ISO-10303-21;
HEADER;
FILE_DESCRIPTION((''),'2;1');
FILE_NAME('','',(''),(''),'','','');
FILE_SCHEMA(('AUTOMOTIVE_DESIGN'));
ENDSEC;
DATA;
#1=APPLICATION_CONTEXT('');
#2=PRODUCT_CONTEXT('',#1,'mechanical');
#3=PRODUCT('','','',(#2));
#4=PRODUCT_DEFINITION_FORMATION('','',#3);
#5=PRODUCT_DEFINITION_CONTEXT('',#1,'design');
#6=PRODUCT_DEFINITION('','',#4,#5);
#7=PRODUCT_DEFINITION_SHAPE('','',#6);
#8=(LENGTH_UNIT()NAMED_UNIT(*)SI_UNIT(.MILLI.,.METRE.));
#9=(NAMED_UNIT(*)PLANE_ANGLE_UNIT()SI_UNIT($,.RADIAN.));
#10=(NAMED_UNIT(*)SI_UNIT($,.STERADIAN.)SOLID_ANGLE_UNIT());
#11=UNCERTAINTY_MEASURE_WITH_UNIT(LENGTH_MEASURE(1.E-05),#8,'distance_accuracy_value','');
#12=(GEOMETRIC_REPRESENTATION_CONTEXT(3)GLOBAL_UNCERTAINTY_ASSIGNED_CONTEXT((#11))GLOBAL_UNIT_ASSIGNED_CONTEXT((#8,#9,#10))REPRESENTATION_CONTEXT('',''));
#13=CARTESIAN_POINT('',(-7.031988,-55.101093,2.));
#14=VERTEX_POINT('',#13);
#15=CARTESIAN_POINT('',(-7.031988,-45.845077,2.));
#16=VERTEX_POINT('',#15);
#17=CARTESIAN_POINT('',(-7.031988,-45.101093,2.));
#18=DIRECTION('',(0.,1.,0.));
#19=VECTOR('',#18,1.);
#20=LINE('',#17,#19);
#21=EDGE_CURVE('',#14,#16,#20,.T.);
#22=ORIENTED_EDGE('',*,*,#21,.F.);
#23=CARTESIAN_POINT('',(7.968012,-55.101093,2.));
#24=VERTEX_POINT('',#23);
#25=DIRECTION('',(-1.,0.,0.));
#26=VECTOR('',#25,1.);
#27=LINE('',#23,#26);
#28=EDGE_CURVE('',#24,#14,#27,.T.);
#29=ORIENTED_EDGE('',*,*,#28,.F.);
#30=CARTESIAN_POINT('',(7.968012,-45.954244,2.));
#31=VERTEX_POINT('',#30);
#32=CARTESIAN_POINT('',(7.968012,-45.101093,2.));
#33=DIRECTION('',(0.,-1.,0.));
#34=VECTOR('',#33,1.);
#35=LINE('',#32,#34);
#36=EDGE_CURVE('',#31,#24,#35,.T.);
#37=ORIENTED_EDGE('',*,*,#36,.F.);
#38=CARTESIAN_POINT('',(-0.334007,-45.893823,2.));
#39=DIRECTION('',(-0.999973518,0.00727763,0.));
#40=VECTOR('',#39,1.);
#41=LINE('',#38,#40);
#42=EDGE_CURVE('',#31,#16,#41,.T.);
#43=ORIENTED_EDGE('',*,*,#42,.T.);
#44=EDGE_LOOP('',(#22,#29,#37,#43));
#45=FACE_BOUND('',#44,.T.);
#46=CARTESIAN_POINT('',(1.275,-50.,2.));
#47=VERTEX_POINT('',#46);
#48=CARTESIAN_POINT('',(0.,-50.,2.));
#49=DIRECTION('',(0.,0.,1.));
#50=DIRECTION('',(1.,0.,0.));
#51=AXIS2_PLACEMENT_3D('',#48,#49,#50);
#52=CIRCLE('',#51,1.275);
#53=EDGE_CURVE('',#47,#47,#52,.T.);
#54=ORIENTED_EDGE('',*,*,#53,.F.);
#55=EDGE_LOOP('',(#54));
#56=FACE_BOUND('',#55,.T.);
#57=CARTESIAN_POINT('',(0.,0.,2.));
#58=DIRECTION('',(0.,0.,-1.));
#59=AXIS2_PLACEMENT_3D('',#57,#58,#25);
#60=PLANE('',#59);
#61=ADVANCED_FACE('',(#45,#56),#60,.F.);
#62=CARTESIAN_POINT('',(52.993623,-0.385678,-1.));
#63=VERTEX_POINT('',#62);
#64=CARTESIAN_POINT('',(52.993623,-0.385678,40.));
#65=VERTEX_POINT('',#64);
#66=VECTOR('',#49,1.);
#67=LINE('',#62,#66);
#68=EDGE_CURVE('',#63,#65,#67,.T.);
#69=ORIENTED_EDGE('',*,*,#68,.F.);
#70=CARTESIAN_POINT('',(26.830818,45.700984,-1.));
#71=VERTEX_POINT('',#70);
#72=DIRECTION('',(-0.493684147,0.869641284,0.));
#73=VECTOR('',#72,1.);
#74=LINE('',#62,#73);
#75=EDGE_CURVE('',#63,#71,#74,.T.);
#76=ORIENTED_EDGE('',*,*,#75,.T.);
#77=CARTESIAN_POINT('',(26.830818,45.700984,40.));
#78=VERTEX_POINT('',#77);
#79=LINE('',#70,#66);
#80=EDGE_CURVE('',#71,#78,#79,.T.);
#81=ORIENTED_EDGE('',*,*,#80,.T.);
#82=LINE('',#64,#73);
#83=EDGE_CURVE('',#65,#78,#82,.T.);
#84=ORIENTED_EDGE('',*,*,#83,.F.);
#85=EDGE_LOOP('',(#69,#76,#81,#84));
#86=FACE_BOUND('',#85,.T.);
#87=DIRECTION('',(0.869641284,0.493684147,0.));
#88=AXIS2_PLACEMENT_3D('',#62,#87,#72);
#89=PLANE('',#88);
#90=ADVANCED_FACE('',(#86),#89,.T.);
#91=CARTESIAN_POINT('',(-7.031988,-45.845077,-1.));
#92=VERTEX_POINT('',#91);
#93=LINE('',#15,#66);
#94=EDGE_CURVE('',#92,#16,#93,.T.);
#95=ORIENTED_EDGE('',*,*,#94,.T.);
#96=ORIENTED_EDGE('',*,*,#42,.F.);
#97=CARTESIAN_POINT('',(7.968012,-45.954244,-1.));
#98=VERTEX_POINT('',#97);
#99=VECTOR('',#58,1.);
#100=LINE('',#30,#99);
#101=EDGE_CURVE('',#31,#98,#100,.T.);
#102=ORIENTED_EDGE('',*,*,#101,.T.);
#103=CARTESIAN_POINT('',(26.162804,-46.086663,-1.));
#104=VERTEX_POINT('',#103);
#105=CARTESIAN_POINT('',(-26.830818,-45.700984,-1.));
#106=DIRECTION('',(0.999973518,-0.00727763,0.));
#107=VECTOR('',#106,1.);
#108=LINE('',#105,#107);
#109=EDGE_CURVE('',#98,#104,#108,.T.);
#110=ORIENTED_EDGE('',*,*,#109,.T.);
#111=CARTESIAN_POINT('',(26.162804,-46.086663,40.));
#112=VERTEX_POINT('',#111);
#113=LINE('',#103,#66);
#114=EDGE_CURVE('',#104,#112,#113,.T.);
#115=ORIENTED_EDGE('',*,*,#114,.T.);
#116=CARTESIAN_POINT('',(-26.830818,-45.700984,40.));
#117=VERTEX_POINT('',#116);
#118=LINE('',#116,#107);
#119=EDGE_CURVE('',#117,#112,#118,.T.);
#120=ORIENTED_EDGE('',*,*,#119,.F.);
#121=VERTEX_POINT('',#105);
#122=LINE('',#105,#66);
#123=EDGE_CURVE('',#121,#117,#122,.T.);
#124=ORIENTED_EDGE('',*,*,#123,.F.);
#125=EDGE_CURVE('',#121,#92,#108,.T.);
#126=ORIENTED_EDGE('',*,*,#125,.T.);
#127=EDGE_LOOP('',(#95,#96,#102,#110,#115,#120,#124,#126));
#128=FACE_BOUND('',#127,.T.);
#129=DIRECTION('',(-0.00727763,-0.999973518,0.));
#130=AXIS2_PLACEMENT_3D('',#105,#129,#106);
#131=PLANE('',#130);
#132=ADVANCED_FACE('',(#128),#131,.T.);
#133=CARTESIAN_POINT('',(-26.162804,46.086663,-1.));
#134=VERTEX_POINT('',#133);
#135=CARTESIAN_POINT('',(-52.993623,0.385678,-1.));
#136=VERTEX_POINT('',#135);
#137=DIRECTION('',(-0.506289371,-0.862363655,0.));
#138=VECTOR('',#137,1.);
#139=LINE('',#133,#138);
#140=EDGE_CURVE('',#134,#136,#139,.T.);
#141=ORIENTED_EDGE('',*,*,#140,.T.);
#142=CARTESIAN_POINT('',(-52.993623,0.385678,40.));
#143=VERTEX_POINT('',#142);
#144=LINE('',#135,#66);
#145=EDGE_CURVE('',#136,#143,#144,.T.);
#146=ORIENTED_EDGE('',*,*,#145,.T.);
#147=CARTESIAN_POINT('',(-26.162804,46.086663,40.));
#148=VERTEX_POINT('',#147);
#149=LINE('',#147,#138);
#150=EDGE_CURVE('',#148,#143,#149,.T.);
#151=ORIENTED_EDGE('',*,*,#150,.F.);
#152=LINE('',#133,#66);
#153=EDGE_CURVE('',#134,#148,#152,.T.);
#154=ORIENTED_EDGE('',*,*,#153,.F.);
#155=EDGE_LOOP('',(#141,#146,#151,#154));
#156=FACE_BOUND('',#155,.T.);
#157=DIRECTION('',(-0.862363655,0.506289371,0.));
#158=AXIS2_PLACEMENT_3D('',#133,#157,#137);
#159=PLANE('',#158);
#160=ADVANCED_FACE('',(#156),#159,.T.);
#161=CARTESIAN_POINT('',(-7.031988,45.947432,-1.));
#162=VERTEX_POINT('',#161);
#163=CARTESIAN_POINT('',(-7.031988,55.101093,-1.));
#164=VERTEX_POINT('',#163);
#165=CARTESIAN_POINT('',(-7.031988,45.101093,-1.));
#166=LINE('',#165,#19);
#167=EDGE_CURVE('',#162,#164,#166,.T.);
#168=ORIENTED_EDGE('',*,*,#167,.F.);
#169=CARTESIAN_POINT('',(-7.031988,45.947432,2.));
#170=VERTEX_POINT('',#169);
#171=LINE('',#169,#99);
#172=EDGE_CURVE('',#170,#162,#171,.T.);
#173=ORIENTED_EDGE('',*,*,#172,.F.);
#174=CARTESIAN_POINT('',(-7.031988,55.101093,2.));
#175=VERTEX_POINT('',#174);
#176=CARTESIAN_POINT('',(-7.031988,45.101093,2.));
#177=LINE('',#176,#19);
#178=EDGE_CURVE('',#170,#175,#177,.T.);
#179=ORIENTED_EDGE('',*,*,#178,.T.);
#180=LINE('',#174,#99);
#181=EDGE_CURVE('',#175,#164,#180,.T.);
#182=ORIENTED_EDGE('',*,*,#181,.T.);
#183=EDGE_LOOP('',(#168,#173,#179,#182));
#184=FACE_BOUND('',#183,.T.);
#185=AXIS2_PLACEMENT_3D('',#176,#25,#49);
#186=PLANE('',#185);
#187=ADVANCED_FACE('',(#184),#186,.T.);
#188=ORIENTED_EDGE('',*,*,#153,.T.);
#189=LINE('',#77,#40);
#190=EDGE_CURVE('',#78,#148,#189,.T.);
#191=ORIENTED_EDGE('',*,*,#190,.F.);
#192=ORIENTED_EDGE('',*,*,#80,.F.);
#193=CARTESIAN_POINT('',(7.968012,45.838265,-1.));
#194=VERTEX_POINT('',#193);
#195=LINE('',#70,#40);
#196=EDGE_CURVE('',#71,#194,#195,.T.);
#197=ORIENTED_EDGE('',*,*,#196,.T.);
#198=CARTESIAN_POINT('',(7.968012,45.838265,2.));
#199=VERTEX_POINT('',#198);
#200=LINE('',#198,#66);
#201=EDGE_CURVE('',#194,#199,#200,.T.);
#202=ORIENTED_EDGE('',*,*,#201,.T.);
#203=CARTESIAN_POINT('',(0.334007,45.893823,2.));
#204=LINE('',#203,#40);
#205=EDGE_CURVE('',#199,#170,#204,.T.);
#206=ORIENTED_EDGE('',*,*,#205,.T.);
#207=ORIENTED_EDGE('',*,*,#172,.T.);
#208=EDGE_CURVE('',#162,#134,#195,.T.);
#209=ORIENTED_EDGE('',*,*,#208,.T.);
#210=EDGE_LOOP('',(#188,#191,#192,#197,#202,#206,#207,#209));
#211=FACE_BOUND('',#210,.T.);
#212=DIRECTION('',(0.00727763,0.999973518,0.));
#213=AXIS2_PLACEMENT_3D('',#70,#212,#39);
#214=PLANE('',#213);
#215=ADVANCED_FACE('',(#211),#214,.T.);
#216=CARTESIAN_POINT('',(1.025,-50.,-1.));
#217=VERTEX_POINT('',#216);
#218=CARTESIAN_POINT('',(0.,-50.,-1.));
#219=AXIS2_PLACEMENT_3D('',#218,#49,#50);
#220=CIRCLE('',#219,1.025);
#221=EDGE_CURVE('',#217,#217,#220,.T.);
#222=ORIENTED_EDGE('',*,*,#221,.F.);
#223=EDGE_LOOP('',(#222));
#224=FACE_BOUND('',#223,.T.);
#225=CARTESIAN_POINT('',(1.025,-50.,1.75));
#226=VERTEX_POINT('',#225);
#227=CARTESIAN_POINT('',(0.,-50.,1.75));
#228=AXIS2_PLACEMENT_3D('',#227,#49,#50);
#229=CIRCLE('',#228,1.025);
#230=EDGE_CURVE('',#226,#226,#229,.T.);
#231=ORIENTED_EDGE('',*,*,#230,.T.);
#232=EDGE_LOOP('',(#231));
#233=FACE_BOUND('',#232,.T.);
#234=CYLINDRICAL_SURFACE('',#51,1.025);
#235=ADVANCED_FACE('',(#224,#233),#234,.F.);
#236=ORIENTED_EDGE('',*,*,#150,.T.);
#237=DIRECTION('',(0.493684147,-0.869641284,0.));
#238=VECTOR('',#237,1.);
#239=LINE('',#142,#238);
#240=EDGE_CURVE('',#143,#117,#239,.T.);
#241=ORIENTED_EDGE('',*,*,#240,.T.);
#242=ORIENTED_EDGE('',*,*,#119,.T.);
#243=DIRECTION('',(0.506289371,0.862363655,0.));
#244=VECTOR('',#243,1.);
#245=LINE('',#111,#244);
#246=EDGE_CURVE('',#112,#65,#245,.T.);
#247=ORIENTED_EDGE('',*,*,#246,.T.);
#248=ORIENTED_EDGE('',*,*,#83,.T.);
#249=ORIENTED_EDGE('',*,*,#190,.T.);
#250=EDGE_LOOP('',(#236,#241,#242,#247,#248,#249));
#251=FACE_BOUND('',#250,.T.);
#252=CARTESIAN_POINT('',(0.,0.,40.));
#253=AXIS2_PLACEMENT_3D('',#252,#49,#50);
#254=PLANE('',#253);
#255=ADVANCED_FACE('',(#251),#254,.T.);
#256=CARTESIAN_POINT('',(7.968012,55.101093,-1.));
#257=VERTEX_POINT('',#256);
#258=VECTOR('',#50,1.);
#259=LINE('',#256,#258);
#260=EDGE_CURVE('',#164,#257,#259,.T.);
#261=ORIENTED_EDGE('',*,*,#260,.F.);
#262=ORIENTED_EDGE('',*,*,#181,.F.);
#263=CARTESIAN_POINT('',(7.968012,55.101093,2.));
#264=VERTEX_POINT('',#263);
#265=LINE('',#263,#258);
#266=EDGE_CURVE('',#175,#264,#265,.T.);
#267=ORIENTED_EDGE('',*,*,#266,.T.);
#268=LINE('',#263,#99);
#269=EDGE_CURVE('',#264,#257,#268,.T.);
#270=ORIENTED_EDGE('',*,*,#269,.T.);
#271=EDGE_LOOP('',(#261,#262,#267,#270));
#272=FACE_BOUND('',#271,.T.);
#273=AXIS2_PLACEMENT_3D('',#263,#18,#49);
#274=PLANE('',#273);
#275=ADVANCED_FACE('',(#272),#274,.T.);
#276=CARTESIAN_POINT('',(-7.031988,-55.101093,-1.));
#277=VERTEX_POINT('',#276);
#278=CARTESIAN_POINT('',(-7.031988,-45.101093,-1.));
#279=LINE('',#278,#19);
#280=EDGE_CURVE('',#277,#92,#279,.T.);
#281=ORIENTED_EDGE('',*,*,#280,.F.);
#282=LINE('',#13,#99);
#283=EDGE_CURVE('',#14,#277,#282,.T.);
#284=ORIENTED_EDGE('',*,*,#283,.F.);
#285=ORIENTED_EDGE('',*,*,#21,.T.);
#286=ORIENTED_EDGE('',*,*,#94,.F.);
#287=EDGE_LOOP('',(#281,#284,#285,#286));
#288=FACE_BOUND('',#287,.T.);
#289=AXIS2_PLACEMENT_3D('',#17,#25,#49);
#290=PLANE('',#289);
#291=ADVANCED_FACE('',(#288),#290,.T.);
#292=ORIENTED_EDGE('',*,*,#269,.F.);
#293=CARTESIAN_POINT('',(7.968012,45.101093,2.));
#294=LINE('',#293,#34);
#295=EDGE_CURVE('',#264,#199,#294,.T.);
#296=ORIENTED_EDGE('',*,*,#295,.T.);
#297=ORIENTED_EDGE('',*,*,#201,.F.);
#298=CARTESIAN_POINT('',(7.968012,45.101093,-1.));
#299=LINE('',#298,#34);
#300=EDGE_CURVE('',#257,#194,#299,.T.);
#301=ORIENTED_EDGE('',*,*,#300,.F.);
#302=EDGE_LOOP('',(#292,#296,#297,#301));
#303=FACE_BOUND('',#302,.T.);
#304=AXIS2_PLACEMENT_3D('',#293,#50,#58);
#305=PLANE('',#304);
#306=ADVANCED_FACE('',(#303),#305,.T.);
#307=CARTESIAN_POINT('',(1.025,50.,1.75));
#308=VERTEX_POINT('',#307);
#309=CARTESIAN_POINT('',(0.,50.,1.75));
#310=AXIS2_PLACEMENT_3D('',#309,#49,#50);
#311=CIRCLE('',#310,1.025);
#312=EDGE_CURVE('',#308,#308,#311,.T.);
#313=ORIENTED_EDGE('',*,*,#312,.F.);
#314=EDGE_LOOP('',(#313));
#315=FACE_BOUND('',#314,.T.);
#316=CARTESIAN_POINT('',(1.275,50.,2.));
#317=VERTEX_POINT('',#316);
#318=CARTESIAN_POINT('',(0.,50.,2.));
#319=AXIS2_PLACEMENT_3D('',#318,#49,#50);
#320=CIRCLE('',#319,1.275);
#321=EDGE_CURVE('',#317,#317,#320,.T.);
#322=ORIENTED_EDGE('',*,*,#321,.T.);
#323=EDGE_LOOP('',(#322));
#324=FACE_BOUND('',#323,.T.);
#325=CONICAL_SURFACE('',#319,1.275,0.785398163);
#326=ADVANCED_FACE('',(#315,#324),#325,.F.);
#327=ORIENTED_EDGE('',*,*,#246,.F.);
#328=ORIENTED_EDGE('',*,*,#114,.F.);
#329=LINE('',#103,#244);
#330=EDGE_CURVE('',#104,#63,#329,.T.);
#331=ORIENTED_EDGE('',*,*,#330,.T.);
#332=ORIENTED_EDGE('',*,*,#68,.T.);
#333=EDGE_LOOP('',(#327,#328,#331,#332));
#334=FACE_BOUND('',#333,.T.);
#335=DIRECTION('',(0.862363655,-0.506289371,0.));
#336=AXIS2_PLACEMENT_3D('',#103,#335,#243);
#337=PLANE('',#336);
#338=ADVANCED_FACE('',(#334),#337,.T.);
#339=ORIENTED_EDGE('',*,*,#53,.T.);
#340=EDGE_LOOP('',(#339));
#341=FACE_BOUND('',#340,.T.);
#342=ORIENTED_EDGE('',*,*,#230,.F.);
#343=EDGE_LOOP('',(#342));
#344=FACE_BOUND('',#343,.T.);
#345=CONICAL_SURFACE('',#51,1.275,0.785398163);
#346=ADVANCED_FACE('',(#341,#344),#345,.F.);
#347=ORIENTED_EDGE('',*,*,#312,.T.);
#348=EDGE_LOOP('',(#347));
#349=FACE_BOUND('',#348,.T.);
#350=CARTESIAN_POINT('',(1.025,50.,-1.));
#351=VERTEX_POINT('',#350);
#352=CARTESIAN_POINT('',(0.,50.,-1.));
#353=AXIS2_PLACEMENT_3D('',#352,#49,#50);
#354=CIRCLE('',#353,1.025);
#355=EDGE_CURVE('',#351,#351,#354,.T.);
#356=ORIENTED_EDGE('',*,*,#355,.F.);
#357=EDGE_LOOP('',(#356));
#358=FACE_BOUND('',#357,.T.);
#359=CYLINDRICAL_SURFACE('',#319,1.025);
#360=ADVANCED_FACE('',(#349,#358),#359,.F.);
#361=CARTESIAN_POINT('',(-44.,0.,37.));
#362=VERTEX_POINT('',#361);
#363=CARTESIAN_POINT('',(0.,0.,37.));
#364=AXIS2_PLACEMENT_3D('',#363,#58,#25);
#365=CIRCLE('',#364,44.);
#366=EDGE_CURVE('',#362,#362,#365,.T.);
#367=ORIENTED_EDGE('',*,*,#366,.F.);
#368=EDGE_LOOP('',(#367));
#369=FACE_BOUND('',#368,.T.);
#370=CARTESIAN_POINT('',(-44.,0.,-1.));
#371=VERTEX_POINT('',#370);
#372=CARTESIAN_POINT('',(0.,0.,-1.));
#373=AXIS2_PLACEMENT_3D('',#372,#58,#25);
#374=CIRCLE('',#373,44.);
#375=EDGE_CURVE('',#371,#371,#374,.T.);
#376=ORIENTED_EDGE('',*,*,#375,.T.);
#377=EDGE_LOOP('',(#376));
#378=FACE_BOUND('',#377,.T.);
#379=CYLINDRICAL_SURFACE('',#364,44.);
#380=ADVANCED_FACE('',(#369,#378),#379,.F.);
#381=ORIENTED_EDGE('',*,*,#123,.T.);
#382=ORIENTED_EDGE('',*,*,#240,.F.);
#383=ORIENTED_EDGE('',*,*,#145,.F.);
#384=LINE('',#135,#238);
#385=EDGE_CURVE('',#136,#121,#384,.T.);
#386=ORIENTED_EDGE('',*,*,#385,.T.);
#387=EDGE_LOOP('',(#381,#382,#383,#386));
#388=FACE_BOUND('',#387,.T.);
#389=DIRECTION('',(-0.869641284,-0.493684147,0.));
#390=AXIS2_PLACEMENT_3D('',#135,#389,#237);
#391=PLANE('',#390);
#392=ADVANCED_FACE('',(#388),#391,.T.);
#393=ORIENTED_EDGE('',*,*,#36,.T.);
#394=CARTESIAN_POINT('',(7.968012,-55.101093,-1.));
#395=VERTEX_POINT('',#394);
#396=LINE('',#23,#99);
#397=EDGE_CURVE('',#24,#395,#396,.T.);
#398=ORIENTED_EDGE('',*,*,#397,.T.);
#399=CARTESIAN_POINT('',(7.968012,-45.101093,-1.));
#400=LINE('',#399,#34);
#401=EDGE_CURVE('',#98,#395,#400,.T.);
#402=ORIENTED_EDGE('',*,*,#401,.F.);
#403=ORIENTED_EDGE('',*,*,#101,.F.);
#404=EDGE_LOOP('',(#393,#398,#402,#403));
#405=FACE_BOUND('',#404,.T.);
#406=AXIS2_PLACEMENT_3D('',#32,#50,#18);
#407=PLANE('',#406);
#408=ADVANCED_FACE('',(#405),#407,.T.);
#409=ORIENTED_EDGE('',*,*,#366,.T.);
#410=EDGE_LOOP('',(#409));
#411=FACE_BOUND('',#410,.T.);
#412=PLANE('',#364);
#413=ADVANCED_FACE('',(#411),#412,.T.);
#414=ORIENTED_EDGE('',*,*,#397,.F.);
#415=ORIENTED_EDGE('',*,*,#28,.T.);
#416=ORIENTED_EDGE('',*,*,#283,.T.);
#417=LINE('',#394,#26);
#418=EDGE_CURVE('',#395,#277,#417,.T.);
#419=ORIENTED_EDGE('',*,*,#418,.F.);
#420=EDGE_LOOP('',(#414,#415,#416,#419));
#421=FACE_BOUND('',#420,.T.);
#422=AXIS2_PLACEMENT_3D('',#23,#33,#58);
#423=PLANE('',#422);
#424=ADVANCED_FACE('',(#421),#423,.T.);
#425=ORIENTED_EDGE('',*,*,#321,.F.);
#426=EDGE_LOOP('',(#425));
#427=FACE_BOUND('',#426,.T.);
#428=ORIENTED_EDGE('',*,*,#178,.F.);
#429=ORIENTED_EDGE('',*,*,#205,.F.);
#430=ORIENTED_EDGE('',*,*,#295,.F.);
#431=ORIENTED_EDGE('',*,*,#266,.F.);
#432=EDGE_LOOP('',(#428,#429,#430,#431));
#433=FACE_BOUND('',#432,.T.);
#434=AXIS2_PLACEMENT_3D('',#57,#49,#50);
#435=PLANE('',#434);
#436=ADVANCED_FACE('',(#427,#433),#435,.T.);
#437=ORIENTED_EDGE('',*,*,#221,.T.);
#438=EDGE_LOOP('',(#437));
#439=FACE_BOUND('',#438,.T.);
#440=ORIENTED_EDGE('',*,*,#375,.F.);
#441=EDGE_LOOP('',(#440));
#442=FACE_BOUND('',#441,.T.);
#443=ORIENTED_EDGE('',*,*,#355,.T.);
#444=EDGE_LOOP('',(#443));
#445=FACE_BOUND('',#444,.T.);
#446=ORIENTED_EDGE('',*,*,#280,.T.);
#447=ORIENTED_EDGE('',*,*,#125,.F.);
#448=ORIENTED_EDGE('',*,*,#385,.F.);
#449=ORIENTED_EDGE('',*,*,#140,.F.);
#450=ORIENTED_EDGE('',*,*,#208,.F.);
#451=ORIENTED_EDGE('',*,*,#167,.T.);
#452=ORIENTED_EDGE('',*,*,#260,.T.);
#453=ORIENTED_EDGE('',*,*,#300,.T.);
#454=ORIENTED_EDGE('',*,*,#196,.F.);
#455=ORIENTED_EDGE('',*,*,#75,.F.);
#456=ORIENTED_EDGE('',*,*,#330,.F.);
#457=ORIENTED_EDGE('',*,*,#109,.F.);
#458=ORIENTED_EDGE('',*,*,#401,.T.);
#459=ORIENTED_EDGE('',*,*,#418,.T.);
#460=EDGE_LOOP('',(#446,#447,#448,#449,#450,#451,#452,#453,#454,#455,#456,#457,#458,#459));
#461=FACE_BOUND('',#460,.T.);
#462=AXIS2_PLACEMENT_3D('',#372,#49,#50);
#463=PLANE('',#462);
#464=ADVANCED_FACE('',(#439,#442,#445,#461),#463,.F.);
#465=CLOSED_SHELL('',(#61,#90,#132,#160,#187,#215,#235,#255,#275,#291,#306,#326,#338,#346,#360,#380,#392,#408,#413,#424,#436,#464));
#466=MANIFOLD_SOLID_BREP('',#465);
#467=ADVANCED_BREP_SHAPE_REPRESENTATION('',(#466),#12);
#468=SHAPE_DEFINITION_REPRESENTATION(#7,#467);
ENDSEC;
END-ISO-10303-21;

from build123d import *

# Parameters (mm, degrees)
BOSS_EXTRUDE4_DEPTH                = 40
BOSS_EXTRUDE4_DEPTH_BACK           = 1
SKETCH10_R                         = 44
CUT_EXTRUDE3_DEPTH                 = 38
SKETCH11_W                         = 15
SKETCH11_H                         = 10
BOSS_EXTRUDE5_DEPTH                = 3
M2_5X0_45_TAPPED_HOLE3_D           = 2.05
M2_5X0_45_TAPPED_HOLE3_CSINK_D     = 2.55
M2_5X0_45_TAPPED_HOLE3_CSINK_ANGLE = 90
BOSS_EXTRUDE6_DEPTH                = 41
SKETCH17_R                         = 44
CUT_EXTRUDE4_DEPTH                 = 38


with BuildPart() as part:
    # Sketch1 → Boss-Extrude4 (new body, two sides)
    with BuildSketch(Plane.XY) as boss_extrude4_sk:
        Polygon((52.078255867, 0), (26.039127933, 45.101092565), (-26.039127933, 45.101092565), (-52.078255867, 0), (-26.039127933, -45.101092565), (26.039127933, -45.101092565), align=None)
    extrude(amount=BOSS_EXTRUDE4_DEPTH)
    extrude(boss_extrude4_sk.sketch, amount=-BOSS_EXTRUDE4_DEPTH_BACK)

    # Sketch10 → Cut-Extrude3 (cut)
    with BuildSketch(Plane(origin=(0, 0, -1), x_dir=(-1, 0, 0), z_dir=(0, 0, -1))):
        Circle(SKETCH10_R)
    extrude(amount=-CUT_EXTRUDE3_DEPTH, mode=Mode.SUBTRACT)

    # Sketch11 → Boss-Extrude5 (add)
    with BuildSketch(Plane(origin=(0, 0, -1), x_dir=(-1, 0, 0), z_dir=(0, 0, -1))):
        with Locations((-0.468011799, 50.101092565)):
            Rectangle(SKETCH11_W, SKETCH11_H)
        with Locations((-0.468011799, -50.101092565)):
            Rectangle(SKETCH11_W, SKETCH11_H)
    extrude(amount=-BOSS_EXTRUDE5_DEPTH)

    # M2.5x0.45 Tapped Hole3 (through all)
    with Locations(Plane.XY.offset(2)):
        with Locations((0, 50), (0, -50)):
            CounterSinkHole(M2_5X0_45_TAPPED_HOLE3_D / 2, M2_5X0_45_TAPPED_HOLE3_CSINK_D / 2, counter_sink_angle=M2_5X0_45_TAPPED_HOLE3_CSINK_ANGLE)

    # Sketch16 → Boss-Extrude6 (add)
    with BuildSketch(Plane.XY.offset(40)):
        Polygon((-52.993622647, 0.385678178), (-26.830818423, -45.700984362), (26.162804224, -46.08666254), (52.993622647, -0.385678178), (26.830818423, 45.700984362), (-26.162804224, 46.08666254), align=None)
    extrude(amount=-BOSS_EXTRUDE6_DEPTH)

    # Sketch17 → Cut-Extrude4 (cut)
    with BuildSketch(Plane(origin=(0, 0, -1), x_dir=(-1, 0, 0), z_dir=(0, 0, -1))):
        Circle(SKETCH17_R)
    extrude(amount=-CUT_EXTRUDE4_DEPTH, mode=Mode.SUBTRACT)


solid = part.part
